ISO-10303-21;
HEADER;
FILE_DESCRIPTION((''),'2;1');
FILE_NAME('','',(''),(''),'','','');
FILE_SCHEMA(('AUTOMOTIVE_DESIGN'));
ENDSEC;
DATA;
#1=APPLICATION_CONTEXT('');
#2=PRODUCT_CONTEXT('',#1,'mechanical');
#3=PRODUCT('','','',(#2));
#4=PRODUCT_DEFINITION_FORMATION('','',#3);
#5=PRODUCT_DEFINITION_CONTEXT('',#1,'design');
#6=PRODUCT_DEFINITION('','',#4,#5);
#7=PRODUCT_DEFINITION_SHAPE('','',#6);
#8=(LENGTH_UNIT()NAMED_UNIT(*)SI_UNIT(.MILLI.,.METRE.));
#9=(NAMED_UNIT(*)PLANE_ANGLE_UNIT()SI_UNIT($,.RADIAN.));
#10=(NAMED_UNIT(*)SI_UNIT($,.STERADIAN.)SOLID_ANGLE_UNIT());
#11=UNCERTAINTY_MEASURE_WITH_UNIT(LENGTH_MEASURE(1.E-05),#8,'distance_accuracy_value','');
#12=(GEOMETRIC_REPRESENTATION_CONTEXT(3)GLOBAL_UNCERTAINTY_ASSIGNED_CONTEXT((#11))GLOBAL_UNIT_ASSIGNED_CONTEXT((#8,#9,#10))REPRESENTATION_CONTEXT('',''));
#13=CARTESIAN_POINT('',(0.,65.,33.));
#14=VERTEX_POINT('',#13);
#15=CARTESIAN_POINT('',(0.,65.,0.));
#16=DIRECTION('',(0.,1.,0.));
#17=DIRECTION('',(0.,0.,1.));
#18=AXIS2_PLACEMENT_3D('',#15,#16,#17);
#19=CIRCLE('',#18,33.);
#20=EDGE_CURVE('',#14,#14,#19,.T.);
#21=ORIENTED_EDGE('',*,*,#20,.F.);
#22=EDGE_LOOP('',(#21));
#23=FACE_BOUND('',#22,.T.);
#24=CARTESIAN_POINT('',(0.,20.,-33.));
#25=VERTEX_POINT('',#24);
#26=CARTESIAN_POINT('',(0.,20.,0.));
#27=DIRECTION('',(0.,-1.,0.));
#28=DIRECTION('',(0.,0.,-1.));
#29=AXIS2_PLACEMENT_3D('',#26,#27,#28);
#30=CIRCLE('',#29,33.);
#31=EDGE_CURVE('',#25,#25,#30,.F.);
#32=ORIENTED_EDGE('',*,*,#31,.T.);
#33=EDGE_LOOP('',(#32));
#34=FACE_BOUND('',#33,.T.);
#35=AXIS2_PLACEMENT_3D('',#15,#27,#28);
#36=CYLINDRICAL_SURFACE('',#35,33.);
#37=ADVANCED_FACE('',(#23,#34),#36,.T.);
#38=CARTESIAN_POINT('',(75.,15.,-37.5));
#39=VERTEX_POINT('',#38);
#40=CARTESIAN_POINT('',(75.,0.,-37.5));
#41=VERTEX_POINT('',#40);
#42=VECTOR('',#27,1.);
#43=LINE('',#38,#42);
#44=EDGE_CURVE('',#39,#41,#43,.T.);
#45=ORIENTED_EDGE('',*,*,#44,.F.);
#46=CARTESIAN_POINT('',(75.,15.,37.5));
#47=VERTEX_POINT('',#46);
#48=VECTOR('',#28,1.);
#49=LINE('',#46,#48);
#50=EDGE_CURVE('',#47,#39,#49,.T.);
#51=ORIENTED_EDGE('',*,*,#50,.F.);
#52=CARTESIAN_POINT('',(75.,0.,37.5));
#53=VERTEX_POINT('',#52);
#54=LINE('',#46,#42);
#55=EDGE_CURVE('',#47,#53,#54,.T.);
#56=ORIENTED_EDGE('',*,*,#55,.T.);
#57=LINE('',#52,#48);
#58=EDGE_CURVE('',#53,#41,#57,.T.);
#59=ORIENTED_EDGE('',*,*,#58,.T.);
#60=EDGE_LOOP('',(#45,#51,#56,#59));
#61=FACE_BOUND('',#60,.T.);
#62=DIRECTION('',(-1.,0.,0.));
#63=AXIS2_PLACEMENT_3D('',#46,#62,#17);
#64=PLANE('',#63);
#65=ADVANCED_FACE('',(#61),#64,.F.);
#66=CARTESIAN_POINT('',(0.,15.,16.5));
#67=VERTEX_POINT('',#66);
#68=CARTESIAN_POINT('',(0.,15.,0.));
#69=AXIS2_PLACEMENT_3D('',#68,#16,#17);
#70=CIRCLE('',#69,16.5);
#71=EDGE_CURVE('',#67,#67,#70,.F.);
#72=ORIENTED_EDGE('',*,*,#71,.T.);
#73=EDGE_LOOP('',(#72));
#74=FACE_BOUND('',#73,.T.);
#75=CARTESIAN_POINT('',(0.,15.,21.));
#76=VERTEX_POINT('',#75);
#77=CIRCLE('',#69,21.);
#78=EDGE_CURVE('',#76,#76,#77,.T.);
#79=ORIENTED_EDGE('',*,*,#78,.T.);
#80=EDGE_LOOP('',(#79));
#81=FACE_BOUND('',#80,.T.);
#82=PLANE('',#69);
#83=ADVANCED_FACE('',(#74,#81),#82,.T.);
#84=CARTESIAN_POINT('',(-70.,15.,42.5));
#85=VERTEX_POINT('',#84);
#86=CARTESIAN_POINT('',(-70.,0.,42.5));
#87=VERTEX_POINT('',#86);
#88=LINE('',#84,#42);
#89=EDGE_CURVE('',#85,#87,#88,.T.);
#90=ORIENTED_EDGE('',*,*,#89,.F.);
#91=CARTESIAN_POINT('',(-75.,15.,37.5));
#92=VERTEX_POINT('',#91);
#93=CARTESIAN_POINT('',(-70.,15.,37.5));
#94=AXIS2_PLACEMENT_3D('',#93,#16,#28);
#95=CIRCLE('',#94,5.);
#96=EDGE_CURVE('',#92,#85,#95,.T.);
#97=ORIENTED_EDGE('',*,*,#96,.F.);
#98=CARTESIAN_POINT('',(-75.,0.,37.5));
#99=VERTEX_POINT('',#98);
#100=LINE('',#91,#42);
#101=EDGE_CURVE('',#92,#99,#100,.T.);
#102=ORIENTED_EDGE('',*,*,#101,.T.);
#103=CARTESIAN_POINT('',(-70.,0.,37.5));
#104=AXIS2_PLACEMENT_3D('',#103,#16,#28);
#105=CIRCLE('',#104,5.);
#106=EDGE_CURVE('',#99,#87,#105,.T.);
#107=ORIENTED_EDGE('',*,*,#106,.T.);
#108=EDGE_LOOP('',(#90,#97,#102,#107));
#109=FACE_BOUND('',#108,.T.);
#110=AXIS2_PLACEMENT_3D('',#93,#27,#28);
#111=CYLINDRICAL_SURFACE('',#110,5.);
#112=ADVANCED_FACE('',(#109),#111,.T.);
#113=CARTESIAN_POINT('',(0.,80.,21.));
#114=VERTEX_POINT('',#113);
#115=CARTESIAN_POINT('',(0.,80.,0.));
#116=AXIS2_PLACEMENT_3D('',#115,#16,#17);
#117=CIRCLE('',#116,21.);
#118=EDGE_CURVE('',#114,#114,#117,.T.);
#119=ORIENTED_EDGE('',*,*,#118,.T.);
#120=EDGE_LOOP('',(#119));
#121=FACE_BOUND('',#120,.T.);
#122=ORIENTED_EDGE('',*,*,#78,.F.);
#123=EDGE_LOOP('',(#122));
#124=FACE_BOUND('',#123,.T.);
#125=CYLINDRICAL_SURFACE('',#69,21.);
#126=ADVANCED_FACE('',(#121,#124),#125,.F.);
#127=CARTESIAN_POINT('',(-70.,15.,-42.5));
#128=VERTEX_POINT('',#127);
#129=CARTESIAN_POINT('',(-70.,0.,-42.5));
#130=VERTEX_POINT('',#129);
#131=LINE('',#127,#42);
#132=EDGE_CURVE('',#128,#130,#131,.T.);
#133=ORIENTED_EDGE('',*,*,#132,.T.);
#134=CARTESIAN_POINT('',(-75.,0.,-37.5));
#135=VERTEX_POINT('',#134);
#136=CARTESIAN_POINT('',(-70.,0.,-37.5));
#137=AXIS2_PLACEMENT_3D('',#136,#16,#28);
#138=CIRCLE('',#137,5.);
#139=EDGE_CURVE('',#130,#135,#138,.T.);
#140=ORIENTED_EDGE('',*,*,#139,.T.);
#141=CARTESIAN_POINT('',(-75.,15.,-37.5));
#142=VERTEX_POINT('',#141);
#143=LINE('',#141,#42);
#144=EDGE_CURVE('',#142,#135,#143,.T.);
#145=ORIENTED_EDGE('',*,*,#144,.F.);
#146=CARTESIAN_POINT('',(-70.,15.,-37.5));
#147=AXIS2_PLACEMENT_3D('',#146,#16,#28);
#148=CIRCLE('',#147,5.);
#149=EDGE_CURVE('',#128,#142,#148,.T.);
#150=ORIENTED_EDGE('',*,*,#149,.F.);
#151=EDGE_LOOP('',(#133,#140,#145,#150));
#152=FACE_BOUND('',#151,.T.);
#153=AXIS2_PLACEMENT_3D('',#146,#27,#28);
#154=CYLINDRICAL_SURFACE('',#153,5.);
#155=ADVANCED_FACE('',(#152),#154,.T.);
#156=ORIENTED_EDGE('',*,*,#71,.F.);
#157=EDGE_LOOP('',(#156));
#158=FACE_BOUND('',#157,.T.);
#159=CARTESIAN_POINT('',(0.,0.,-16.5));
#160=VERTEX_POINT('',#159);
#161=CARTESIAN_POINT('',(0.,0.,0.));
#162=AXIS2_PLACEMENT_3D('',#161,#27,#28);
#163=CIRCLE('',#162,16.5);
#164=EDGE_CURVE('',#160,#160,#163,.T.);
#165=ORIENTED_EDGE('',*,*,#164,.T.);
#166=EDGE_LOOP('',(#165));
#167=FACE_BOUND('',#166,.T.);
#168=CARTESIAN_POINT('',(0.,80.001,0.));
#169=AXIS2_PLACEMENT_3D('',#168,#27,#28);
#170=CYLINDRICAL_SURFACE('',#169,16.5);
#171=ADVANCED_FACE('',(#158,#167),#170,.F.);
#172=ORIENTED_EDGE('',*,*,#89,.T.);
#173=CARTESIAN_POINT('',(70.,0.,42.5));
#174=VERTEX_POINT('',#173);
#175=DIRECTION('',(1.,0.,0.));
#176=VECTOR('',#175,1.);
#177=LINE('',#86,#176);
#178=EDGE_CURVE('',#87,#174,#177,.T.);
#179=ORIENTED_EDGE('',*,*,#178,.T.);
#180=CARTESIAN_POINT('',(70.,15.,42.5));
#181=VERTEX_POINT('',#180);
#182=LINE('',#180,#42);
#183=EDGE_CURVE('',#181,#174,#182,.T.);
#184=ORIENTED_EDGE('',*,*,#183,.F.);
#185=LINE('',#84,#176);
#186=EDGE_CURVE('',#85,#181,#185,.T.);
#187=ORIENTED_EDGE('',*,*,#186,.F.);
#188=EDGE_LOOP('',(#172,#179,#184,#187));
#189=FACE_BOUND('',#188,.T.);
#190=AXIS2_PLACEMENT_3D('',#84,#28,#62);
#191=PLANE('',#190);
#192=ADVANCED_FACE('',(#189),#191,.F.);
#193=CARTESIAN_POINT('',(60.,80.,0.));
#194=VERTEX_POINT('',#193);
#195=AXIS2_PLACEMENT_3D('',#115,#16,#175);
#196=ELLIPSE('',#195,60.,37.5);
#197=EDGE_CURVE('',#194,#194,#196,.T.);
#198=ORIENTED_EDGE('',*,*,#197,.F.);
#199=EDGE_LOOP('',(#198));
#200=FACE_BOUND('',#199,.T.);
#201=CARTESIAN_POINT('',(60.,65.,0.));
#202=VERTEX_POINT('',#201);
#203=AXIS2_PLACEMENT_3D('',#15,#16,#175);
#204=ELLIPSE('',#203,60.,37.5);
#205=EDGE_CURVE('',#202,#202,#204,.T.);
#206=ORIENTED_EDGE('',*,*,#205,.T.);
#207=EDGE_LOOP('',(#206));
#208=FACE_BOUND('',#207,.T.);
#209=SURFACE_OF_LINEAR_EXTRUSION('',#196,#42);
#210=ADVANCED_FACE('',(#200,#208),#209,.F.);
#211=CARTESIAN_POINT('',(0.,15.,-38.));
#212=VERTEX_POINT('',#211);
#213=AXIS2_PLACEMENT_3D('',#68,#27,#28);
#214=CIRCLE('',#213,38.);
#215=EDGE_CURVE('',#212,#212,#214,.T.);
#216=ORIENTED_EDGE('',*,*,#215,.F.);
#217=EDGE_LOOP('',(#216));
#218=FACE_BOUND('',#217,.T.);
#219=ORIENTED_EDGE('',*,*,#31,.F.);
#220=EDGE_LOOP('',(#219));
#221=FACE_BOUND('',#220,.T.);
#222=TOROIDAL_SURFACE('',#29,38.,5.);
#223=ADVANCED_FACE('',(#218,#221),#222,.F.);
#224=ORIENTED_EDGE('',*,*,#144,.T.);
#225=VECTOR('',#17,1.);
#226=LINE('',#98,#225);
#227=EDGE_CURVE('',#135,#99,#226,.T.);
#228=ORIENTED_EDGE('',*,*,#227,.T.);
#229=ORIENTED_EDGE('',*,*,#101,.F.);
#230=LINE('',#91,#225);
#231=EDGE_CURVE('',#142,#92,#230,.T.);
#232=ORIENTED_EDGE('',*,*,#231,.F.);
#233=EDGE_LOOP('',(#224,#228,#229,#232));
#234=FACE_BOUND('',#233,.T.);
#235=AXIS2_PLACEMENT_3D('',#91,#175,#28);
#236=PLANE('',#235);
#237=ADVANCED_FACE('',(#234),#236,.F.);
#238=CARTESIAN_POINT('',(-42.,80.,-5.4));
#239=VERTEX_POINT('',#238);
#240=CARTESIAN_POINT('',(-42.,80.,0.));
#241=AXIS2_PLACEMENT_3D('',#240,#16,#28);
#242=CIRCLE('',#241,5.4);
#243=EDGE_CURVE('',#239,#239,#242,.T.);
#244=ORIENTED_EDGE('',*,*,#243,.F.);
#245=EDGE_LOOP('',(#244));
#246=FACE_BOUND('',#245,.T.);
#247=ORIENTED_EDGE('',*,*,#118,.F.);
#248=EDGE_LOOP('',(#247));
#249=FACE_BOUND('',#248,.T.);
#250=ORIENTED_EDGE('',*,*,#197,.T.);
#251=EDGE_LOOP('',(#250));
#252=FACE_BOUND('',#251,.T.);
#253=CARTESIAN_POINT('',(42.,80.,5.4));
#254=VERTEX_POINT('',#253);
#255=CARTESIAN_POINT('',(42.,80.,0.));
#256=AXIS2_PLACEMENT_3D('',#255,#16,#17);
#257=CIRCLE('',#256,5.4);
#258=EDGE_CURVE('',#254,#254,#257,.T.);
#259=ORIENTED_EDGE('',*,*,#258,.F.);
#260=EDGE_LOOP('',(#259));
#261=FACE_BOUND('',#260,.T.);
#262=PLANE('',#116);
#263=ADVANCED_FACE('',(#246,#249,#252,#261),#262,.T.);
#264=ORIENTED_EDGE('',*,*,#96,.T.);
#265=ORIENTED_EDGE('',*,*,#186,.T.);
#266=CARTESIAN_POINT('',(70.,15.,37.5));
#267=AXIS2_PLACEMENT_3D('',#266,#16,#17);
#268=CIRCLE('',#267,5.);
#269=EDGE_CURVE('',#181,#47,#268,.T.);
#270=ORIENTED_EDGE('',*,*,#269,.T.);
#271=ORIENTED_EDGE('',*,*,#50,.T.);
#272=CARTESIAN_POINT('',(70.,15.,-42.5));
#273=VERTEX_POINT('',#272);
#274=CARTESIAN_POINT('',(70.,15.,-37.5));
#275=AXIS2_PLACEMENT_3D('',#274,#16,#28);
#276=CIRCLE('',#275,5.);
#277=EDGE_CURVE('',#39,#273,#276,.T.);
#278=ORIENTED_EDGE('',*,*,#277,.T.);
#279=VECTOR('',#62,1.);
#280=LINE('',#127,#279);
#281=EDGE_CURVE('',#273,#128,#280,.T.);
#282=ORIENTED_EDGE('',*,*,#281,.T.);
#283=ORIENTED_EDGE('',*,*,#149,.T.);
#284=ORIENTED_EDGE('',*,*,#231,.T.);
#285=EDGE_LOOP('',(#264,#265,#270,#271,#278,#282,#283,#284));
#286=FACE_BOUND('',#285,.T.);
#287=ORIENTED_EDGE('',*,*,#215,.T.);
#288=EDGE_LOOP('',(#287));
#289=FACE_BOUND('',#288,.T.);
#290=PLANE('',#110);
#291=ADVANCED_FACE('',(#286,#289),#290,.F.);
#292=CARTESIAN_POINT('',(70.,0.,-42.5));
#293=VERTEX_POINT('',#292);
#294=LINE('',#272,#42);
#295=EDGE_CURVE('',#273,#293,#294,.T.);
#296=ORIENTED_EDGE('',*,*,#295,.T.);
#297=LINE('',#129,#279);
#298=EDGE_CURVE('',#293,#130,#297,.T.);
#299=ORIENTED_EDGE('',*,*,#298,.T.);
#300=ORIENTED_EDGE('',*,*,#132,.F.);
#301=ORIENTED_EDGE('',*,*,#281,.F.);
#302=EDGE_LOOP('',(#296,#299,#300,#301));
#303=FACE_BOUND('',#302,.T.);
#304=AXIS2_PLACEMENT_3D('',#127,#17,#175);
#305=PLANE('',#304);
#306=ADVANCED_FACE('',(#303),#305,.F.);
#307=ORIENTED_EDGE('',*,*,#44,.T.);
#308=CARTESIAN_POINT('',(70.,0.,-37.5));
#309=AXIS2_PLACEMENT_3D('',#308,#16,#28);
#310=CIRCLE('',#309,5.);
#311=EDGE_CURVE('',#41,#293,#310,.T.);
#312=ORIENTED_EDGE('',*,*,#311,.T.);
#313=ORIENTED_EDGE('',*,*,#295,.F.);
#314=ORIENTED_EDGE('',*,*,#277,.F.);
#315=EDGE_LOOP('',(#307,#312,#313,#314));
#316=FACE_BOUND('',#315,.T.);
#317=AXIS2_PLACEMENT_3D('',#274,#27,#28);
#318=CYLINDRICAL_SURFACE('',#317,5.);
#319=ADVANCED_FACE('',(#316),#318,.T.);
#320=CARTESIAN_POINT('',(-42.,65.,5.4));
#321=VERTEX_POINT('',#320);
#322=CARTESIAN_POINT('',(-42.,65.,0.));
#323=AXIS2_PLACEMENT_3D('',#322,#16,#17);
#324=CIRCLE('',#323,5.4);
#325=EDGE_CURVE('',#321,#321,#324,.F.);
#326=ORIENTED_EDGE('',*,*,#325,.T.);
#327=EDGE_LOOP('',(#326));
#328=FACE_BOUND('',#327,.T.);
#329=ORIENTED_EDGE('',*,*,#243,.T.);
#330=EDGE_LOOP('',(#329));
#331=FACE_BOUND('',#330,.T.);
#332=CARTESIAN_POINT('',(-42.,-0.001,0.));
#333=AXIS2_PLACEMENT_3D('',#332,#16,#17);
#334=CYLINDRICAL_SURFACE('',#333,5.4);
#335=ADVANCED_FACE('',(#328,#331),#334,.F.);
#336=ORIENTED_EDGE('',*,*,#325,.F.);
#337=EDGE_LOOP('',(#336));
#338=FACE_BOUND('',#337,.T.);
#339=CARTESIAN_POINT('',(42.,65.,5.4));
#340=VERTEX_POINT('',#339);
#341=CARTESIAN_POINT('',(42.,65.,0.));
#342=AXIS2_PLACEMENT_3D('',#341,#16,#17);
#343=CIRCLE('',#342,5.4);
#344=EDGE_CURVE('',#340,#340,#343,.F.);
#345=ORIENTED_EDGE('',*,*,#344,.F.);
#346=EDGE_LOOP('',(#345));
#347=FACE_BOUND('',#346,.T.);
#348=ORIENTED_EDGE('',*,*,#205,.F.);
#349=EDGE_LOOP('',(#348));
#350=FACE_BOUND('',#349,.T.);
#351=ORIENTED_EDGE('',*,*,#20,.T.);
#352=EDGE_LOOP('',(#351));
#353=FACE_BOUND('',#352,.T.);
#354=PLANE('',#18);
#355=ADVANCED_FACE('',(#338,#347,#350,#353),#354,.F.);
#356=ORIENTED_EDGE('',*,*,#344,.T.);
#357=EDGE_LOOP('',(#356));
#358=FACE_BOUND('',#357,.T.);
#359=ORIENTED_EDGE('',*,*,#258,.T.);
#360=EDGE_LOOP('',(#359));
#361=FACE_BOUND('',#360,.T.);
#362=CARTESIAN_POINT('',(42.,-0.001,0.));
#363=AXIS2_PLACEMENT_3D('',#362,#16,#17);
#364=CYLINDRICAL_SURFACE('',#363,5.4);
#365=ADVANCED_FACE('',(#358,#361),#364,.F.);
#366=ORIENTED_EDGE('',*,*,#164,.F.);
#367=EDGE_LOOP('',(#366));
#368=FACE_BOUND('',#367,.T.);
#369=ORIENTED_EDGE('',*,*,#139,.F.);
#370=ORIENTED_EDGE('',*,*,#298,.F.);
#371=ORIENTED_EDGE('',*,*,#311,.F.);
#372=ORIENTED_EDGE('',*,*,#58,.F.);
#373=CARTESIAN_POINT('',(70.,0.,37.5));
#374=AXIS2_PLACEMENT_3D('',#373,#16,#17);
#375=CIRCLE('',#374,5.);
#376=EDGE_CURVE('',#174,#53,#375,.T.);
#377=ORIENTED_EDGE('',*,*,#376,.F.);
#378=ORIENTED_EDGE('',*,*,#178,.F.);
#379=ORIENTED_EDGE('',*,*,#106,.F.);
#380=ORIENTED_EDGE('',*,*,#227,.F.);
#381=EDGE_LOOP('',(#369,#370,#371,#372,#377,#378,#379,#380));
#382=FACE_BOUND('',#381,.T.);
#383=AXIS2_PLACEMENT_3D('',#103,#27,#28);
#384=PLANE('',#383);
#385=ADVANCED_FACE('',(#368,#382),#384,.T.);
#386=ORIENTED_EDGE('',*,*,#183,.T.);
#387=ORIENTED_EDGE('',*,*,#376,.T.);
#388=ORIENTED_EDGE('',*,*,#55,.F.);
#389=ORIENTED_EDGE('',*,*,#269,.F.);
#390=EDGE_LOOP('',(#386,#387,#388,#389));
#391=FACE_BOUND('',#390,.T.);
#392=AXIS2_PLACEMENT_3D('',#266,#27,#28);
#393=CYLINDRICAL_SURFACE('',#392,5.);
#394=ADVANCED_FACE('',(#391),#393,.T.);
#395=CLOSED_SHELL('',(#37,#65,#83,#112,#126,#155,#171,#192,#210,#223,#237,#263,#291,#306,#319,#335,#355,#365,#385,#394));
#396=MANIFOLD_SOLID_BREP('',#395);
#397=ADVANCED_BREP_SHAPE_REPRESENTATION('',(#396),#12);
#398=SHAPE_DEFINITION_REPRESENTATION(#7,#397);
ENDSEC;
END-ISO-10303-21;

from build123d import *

# Parameters (mm, degrees)
EXTRUDE_1_DEPTH     = 15
SKETCH_2_R          = 33
EXTRUDE_2_DEPTH     = 50
SKETCH_3_RX         = 60
SKETCH_3_RY         = 37.5
EXTRUDE_3_DEPTH     = 15
SKETCH_4_R          = 21
CUT_EXTRUDE_1_DEPTH = 65
CUT_EXTRUDE_2_REACH = 119.606
SKETCH_5_R          = 16.5
CUT_EXTRUDE_3_REACH = 119.606
SKETCH_6_R          = 5.4
FILLET_1_R          = 5


with BuildPart() as part:
    # 草图1 → 凸台-拉伸1 (new body)
    with BuildSketch(Plane(origin=(0, 0, 0), x_dir=(1, 0, 0), z_dir=(0, 1, 0))):
        with BuildLine():
            Line((-70, -42.5), (70, -42.5))
            ThreePointArc((70, -42.5), (73.535533906, -41.035533906), (75, -37.5))
            Line((75, -37.5), (75, 37.5))
            ThreePointArc((75, 37.5), (73.535533906, 41.035533906), (70, 42.5))
            Line((70, 42.5), (-70, 42.5))
            ThreePointArc((-70, 42.5), (-73.535533906, 41.035533906), (-75, 37.5))
            Line((-75, 37.5), (-75, -37.5))
            ThreePointArc((-75, -37.5), (-73.535533906, -41.035533906), (-70, -42.5))
        make_face()
    extrude(amount=EXTRUDE_1_DEPTH)

    # 草图2 → 凸台-拉伸2 (add)
    with BuildSketch(Plane(origin=(0, 15, 0), x_dir=(1, 0, 0), z_dir=(0, 1, 0))):
        with Locations(Location((0, 0, 0), (0, 0, 90))):
            Circle(SKETCH_2_R)
    extrude(amount=EXTRUDE_2_DEPTH)

    # 草图3 → 凸台-拉伸3 (add)
    with BuildSketch(Plane(origin=(0, 65, 0), x_dir=(1, 0, 0), z_dir=(0, 1, 0))):
        with Locations((0, 0)):
            Ellipse(SKETCH_3_RX, SKETCH_3_RY)
    extrude(amount=EXTRUDE_3_DEPTH)

    # 草图4 → 切除-拉伸1 (cut)
    with BuildSketch(Plane(origin=(0, 80, 0), x_dir=(1, 0, 0), z_dir=(0, 1, 0))):
        with Locations(Location((0, 0, 0), (0, 0, 270))):
            Circle(SKETCH_4_R)
    extrude(amount=-CUT_EXTRUDE_1_DEPTH, mode=Mode.SUBTRACT)

    # 草图5 → 切除-拉伸2 (cut, up to next)
    with BuildSketch(Plane.XZ, mode=Mode.PRIVATE) as cut_extrude_2_sk1:
        with Locations(Location((0, 0, 0), (0, 0, 270))):
            Circle(SKETCH_5_R)
    cut_extrude_2_tool1 = extrude(cut_extrude_2_sk1.sketch, amount=-CUT_EXTRUDE_2_REACH, mode=Mode.PRIVATE) & part.part
    add(cut_extrude_2_tool1.solids().sort_by_distance((0, 0, 0))[0], mode=Mode.SUBTRACT)

    # 草图6 → 切除-拉伸3 (cut, up to next)
    with BuildSketch(Plane(origin=(0, 80, 0), x_dir=(1, 0, 0), z_dir=(0, 1, 0)), mode=Mode.PRIVATE) as cut_extrude_3_sk1:
        with Locations(Location((42, 0, 0), (0, 0, 270))):
            Circle(SKETCH_6_R)
    cut_extrude_3_tool1 = extrude(cut_extrude_3_sk1.sketch, amount=-CUT_EXTRUDE_3_REACH, mode=Mode.PRIVATE) & part.part
    # 草图6 → 切除-拉伸3 (cut, up to next)
    with BuildSketch(Plane(origin=(0, 80, 0), x_dir=(1, 0, 0), z_dir=(0, 1, 0)), mode=Mode.PRIVATE) as cut_extrude_3_sk2:
        with Locations(Location((-42, 0, 0), (0, 0, 270))):
            Circle(SKETCH_6_R)
    cut_extrude_3_tool2 = extrude(cut_extrude_3_sk2.sketch, amount=-CUT_EXTRUDE_3_REACH, mode=Mode.PRIVATE) & part.part
    add(cut_extrude_3_tool1.solids().sort_by_distance((42, 80, 0))[0], mode=Mode.SUBTRACT)
    add(cut_extrude_3_tool2.solids().sort_by_distance((-42, 80, 0))[0], mode=Mode.SUBTRACT)

    # 圆角1
    fillet_1_edges = [part.edges().sort_by_distance(p)[0] for p in [
        (0, 15, 33),
    ]]
    fillet(fillet_1_edges, radius=FILLET_1_R)


solid = part.part
